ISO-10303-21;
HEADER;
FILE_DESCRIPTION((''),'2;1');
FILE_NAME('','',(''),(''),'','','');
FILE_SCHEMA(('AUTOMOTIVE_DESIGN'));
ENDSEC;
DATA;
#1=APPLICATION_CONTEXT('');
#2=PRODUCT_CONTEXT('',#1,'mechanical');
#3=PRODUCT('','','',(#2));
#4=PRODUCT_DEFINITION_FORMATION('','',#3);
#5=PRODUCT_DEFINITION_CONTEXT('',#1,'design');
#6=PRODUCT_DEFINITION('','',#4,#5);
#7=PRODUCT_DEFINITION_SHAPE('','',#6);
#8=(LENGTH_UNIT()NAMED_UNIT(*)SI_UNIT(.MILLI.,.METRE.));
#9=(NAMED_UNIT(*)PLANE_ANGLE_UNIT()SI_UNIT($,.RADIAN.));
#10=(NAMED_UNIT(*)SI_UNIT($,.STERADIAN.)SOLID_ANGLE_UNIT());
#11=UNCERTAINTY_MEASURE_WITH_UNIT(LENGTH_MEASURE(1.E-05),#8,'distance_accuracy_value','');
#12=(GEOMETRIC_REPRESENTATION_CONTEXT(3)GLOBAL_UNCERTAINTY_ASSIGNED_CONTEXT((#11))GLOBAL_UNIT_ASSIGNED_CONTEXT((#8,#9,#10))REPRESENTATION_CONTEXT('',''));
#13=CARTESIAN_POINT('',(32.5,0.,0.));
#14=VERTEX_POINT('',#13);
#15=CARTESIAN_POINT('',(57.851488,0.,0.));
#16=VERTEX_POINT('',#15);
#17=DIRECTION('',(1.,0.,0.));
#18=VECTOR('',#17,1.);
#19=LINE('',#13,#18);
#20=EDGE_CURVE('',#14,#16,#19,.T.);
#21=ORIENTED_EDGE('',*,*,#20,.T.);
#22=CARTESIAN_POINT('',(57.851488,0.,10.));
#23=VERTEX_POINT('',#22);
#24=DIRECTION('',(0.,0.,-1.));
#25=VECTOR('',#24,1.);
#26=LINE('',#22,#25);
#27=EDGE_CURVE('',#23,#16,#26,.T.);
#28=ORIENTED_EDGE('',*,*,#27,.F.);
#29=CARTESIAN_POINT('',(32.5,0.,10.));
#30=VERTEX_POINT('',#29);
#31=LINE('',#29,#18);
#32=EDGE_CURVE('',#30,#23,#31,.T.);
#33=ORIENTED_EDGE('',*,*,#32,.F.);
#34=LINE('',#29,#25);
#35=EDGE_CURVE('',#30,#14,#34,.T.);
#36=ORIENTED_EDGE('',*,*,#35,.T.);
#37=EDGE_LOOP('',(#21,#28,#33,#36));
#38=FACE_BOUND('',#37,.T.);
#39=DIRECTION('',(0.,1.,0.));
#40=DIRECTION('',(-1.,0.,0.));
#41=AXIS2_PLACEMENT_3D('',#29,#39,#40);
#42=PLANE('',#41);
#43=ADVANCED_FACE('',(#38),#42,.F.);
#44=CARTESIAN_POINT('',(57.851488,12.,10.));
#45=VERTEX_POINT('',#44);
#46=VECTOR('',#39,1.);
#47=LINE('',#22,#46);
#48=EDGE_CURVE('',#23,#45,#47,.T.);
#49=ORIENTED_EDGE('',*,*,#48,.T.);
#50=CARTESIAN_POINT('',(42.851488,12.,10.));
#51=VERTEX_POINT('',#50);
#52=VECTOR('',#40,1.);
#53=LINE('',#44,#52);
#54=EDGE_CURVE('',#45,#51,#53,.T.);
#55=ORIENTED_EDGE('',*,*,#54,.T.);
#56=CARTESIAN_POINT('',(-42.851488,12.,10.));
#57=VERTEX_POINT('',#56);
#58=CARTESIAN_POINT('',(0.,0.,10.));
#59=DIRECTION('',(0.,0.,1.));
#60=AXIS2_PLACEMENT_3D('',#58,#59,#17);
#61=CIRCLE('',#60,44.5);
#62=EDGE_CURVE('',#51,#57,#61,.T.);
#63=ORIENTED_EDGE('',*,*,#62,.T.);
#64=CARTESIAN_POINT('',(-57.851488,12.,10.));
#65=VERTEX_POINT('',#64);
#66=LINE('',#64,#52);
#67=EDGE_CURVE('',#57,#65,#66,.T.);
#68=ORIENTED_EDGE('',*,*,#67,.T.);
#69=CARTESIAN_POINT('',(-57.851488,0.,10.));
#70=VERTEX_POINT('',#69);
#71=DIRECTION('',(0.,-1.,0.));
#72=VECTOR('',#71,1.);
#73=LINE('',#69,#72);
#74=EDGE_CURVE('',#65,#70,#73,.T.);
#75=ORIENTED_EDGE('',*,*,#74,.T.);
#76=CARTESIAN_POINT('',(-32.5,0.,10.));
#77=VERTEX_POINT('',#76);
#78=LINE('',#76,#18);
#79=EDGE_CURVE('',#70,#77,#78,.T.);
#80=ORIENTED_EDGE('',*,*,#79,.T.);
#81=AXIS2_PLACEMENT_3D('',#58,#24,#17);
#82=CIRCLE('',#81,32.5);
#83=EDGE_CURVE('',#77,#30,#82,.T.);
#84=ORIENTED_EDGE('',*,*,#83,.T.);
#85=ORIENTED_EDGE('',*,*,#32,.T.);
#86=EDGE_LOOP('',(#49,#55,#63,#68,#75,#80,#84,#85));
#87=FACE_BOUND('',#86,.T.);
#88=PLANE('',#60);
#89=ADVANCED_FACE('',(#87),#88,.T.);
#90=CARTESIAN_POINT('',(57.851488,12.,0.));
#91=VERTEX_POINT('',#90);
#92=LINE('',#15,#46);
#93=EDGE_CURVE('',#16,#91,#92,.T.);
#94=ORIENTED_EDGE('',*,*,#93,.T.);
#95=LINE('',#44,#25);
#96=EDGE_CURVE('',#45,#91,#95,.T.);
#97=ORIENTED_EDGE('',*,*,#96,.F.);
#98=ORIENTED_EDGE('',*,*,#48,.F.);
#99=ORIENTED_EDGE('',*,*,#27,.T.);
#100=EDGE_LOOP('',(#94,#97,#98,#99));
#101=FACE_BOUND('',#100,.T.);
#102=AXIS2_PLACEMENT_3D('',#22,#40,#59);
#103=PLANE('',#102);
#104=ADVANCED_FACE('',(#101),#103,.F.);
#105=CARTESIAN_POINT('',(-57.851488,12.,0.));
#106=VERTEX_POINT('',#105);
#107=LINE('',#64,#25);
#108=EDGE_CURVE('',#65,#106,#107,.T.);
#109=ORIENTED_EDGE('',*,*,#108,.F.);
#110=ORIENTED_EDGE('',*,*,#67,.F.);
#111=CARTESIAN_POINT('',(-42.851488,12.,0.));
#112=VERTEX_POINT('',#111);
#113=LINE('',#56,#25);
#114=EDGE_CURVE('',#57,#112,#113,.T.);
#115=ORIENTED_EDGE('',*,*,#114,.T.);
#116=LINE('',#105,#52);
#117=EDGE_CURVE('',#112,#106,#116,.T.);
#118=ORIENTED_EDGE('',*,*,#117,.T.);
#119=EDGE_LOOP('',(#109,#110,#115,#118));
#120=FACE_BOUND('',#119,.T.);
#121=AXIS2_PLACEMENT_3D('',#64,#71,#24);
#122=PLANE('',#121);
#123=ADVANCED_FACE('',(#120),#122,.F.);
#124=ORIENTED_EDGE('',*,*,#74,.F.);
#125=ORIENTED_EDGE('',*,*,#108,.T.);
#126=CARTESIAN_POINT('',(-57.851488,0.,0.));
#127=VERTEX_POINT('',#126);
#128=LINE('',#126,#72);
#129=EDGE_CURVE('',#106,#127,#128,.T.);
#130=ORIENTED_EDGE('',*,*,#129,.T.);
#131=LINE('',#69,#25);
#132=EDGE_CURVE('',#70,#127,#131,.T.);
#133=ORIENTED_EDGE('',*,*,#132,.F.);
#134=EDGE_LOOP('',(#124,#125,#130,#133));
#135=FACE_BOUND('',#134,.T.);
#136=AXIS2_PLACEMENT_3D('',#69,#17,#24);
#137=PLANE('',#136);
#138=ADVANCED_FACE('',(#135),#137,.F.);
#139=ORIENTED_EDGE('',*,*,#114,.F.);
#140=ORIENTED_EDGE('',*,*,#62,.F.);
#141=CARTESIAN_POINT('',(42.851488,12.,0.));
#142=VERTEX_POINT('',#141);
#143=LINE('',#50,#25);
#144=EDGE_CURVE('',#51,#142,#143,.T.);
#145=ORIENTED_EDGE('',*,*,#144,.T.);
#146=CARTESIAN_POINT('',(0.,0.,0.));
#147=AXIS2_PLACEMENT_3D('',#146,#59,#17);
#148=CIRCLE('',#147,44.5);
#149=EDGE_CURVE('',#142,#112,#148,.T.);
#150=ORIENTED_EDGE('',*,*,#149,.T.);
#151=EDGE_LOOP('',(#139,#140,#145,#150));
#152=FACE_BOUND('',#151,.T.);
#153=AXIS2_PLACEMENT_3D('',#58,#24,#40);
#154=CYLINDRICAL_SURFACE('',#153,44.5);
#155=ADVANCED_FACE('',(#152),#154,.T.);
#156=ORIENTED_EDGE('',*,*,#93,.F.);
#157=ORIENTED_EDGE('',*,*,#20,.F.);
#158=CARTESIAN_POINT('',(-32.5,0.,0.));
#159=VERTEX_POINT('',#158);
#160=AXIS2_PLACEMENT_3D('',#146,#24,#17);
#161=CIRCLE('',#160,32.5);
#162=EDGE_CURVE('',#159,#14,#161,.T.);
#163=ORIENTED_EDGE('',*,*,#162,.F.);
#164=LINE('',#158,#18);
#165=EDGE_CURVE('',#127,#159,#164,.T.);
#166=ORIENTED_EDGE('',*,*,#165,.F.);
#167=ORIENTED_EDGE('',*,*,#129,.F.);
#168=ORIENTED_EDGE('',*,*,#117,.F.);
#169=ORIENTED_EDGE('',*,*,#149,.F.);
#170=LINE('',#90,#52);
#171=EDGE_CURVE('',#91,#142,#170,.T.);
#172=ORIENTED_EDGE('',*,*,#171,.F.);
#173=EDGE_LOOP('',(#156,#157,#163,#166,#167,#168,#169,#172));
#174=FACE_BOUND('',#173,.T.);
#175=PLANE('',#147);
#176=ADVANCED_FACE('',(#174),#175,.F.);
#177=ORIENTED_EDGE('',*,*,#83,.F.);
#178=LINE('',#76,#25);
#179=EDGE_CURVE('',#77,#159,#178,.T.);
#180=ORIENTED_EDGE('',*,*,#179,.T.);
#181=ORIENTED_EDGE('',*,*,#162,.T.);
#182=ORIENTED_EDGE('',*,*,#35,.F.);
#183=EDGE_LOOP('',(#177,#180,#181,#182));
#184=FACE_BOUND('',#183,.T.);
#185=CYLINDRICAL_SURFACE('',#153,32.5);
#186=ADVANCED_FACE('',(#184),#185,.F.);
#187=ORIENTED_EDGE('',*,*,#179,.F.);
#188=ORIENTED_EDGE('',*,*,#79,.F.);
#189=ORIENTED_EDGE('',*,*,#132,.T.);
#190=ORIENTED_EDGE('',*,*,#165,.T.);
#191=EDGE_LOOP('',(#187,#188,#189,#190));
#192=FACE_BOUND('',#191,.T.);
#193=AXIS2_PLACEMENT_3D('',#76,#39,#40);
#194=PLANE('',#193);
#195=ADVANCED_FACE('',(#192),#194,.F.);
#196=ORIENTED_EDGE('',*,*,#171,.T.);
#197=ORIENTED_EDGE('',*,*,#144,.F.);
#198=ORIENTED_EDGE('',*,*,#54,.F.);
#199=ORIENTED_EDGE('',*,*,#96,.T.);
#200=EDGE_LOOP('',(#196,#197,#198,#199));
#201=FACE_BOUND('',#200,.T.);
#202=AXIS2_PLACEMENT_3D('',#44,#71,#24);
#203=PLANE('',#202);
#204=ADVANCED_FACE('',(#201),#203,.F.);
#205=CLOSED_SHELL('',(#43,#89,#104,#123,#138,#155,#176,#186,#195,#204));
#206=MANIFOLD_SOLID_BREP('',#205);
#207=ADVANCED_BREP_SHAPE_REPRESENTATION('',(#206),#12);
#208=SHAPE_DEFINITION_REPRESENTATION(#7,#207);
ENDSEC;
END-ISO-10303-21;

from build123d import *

# Parameters (mm, degrees)
BOSS_EXTRUDE1_DEPTH = 10


with BuildPart() as part:
    # Sketch1 → Boss-Extrude1 (new body)
    with BuildSketch(Plane.XY):
        with BuildLine():
            Line((-32.5, 0), (-57.851487722, 0))
            Line((-57.851487722, 0), (-57.851487722, 12))
            Line((-57.851487722, 12), (-42.851487722, 12))
            ThreePointArc((-42.851487722, 12), (0, 44.5), (42.851487722, 12))
            Line((42.851487722, 12), (57.851487722, 12))
            Line((57.851487722, 12), (57.851487722, 0))
            Line((57.851487722, 0), (32.5, 0))
            ThreePointArc((32.5, 0), (0, 32.5), (-32.5, 0))
        make_face()
    extrude(amount=BOSS_EXTRUDE1_DEPTH)


solid = part.part
